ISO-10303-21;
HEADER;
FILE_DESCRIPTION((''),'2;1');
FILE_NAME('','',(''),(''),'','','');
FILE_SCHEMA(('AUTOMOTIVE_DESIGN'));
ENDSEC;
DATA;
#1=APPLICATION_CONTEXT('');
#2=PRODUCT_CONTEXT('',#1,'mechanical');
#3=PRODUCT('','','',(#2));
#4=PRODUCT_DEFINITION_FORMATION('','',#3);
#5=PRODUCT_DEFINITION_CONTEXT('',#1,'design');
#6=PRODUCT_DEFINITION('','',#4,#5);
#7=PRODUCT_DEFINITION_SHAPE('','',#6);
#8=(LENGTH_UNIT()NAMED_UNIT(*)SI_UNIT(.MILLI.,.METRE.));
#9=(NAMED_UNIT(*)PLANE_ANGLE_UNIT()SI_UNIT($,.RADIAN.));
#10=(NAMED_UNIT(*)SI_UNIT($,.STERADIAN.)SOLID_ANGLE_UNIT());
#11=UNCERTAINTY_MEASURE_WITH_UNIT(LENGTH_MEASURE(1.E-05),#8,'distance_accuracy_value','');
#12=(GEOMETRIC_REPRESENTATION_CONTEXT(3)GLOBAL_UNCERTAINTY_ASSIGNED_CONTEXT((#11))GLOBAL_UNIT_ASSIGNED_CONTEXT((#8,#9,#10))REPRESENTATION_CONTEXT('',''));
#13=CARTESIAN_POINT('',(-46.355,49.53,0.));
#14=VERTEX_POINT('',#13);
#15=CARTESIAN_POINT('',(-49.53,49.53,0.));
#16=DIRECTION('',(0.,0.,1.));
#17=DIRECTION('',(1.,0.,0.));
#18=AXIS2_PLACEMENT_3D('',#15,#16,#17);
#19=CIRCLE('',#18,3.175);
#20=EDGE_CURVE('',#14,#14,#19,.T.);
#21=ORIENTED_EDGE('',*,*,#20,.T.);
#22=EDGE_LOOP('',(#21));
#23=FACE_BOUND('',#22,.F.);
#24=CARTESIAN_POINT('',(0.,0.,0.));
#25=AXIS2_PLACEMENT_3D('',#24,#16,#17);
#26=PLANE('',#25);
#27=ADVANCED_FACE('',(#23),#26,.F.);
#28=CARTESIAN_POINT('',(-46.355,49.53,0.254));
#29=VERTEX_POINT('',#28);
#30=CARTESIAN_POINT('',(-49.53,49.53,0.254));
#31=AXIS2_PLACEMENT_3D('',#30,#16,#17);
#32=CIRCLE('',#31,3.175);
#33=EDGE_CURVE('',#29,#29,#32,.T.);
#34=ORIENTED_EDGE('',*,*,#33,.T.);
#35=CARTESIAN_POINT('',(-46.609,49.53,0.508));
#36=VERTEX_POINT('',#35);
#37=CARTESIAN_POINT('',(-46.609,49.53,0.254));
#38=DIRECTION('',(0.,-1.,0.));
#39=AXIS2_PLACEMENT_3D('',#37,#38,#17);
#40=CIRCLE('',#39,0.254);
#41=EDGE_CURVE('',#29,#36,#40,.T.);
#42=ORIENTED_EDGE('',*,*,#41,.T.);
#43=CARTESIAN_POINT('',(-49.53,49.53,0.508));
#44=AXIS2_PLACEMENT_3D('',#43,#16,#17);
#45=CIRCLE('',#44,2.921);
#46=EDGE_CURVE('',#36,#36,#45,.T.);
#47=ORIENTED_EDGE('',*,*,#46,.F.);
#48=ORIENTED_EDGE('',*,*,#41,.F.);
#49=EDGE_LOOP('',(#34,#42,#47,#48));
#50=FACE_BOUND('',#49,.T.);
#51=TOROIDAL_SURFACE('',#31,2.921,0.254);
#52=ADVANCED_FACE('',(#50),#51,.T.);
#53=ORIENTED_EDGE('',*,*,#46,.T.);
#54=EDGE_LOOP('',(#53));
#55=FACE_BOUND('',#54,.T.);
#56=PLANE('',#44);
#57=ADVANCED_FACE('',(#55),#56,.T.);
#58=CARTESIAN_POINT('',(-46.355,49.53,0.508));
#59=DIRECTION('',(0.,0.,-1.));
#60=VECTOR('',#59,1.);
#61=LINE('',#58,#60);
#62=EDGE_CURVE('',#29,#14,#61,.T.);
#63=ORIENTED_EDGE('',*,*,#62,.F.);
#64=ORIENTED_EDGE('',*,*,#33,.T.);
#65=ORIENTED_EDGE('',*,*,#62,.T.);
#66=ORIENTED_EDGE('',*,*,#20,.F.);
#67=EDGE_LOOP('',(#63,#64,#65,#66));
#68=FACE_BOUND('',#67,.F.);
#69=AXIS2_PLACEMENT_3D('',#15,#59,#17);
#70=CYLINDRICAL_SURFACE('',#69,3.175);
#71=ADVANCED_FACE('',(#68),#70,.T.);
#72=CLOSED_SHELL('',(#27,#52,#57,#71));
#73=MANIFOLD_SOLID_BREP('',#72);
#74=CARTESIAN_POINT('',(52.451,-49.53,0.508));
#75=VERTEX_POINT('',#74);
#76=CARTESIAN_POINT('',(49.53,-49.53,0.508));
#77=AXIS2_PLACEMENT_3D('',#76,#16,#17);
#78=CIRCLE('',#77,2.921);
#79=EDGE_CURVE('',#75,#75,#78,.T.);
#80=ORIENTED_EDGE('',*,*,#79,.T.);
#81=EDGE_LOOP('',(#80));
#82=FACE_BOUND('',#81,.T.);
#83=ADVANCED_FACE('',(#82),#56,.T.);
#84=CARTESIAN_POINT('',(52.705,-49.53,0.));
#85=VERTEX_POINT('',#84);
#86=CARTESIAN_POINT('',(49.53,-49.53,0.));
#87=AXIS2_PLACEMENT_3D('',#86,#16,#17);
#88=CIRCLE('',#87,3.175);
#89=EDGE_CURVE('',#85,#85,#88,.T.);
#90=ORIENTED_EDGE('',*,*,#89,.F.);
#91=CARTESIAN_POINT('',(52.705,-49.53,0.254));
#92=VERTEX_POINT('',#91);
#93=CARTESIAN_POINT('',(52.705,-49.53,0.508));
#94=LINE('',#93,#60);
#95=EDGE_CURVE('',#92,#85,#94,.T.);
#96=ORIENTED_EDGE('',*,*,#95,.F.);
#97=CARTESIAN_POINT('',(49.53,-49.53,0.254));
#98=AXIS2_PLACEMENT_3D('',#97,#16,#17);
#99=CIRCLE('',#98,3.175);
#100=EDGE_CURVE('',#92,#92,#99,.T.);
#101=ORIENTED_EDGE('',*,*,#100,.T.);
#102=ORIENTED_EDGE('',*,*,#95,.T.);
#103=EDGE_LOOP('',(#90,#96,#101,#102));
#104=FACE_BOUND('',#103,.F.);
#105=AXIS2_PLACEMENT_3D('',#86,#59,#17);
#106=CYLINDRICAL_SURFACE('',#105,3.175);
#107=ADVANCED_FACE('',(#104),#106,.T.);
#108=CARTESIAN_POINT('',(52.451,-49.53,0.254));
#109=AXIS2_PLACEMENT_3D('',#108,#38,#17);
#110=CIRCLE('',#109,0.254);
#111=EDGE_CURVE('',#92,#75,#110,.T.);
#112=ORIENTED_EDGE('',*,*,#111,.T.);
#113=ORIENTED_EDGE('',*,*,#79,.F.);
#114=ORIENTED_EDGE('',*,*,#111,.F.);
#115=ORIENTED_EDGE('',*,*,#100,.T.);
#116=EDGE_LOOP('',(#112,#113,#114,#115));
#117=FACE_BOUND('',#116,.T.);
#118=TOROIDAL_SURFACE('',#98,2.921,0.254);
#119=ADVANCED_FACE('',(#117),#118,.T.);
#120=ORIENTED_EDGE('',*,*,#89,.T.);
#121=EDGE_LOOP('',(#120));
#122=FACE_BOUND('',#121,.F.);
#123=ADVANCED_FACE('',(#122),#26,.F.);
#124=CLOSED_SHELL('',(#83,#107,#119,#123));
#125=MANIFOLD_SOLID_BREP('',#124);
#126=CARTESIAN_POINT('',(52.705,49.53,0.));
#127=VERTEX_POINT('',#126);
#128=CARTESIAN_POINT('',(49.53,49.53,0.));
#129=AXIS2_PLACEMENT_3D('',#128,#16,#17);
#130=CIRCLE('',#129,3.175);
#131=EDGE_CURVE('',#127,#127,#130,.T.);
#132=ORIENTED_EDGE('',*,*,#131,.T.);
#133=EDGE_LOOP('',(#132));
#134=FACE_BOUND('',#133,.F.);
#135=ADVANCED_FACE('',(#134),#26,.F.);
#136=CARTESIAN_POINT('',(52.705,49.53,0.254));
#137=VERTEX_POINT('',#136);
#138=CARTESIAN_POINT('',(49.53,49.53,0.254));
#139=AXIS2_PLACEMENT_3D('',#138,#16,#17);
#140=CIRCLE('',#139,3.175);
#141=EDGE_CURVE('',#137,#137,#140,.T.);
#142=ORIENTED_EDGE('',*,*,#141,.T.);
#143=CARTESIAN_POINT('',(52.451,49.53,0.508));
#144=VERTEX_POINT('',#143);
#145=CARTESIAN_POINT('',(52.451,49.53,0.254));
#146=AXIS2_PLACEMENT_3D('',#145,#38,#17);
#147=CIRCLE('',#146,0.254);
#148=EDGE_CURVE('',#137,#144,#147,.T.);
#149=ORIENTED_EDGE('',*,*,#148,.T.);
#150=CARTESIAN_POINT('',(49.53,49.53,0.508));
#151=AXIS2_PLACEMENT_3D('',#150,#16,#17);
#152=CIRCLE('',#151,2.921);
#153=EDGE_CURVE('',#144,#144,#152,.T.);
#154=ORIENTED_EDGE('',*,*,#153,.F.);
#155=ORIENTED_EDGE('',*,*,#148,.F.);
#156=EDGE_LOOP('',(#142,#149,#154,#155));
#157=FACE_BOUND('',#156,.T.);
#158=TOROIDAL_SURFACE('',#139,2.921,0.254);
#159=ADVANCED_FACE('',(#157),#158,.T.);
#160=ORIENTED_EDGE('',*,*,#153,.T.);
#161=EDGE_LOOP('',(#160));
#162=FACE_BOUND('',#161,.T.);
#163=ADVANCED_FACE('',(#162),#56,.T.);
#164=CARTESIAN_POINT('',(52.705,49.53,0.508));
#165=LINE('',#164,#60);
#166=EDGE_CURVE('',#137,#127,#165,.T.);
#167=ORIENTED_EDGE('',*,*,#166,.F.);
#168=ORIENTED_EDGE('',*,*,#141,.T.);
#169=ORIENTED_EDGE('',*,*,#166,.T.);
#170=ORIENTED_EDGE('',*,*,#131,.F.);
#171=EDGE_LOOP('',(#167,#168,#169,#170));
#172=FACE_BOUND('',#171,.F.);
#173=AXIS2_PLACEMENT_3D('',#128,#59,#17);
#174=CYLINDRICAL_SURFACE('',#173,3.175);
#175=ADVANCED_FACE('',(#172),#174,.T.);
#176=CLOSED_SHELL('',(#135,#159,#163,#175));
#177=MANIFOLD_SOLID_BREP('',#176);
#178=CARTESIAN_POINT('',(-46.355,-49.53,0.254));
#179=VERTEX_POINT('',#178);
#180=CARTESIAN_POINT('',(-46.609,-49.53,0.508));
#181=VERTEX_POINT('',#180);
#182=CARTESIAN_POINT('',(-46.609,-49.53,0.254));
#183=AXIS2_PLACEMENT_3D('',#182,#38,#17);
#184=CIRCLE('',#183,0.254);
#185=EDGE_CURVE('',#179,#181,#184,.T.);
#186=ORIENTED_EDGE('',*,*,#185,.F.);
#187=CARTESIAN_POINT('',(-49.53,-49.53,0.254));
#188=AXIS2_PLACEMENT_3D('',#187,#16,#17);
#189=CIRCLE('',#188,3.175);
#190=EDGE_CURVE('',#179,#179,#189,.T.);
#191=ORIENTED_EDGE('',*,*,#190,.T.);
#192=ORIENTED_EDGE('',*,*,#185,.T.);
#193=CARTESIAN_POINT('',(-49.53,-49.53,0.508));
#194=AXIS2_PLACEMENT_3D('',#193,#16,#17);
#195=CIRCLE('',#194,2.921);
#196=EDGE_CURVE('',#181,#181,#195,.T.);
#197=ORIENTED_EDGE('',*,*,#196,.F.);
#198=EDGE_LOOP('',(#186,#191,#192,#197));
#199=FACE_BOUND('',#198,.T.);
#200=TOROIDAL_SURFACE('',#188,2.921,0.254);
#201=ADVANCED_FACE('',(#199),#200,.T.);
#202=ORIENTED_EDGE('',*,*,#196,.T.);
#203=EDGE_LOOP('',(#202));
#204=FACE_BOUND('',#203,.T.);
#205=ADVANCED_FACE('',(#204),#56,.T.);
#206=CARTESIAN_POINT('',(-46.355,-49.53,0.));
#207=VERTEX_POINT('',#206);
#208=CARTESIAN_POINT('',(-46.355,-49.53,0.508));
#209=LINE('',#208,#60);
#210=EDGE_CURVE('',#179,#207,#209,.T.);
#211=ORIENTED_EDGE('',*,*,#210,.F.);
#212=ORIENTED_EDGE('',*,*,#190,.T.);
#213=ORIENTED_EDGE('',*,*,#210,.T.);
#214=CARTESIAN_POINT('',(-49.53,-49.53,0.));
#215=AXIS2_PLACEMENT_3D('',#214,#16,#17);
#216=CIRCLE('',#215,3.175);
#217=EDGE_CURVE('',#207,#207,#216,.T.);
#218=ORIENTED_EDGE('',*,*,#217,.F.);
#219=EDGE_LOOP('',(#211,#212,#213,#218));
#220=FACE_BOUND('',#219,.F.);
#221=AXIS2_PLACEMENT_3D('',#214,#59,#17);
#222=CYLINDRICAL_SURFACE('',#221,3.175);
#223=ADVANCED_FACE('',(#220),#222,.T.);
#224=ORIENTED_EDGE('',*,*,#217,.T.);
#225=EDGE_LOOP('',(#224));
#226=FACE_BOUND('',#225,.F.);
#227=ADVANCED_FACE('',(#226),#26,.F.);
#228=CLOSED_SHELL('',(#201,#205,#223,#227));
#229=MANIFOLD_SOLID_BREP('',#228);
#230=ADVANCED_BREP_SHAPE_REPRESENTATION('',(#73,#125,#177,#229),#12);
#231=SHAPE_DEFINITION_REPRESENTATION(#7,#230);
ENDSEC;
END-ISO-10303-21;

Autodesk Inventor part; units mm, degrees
ref_plane "YZ Plane" through (0, 0, 0) normal (1, 0, 0) x (0, 1, 0)
ref_plane "XZ Plane" through (0, 0, 0) normal (0, 1, 0) x (-1, 0, 0)
ref_plane "XY Plane" through (0, 0, 0) normal (0, 0, 1) x (1, 0, 0)
sketch "Sketch1" plane through (0, 0, 0) normal (0, 0, 1) x (1, 0, 0)
  circle A0 centre (49.53, 49.53) radius 3.175 projected
  circle A1 centre (49.53, -49.53) radius 3.175 projected
  circle A2 centre (-49.53, -49.53) radius 3.175 projected
  circle A3 centre (-49.53, 49.53) radius 3.175 projected
  point P0 (0, 0)
extrude "Extrusion1" add sketch "Sketch1" along normal blind 0.254
sketch "Sketch2" plane through (-49.53, 49.53, 0.254) normal (0, 0, 1) x (1, 0, 0)
  circle A0 centre (0, 0) radius 3.175 projected
  circle A1 centre (99.06, 0) radius 3.175 projected
  circle A2 centre (99.06, -99.06) radius 3.175 projected
  circle A3 centre (0, -99.06) radius 3.175 projected
  point P0 (49.53, -49.53)
extrude "Extrusion2" add sketch "Sketch2" along normal blind 0.254
fillet "Fillet1" radius 0.254 4 edges at (46.355, -49.53, 0.508) (46.355, 49.53, 0.508) (-52.705, 49.53, 0.508) (-52.705, -49.53, 0.508)
properties part number "RubberFeet" material "Rubber"
